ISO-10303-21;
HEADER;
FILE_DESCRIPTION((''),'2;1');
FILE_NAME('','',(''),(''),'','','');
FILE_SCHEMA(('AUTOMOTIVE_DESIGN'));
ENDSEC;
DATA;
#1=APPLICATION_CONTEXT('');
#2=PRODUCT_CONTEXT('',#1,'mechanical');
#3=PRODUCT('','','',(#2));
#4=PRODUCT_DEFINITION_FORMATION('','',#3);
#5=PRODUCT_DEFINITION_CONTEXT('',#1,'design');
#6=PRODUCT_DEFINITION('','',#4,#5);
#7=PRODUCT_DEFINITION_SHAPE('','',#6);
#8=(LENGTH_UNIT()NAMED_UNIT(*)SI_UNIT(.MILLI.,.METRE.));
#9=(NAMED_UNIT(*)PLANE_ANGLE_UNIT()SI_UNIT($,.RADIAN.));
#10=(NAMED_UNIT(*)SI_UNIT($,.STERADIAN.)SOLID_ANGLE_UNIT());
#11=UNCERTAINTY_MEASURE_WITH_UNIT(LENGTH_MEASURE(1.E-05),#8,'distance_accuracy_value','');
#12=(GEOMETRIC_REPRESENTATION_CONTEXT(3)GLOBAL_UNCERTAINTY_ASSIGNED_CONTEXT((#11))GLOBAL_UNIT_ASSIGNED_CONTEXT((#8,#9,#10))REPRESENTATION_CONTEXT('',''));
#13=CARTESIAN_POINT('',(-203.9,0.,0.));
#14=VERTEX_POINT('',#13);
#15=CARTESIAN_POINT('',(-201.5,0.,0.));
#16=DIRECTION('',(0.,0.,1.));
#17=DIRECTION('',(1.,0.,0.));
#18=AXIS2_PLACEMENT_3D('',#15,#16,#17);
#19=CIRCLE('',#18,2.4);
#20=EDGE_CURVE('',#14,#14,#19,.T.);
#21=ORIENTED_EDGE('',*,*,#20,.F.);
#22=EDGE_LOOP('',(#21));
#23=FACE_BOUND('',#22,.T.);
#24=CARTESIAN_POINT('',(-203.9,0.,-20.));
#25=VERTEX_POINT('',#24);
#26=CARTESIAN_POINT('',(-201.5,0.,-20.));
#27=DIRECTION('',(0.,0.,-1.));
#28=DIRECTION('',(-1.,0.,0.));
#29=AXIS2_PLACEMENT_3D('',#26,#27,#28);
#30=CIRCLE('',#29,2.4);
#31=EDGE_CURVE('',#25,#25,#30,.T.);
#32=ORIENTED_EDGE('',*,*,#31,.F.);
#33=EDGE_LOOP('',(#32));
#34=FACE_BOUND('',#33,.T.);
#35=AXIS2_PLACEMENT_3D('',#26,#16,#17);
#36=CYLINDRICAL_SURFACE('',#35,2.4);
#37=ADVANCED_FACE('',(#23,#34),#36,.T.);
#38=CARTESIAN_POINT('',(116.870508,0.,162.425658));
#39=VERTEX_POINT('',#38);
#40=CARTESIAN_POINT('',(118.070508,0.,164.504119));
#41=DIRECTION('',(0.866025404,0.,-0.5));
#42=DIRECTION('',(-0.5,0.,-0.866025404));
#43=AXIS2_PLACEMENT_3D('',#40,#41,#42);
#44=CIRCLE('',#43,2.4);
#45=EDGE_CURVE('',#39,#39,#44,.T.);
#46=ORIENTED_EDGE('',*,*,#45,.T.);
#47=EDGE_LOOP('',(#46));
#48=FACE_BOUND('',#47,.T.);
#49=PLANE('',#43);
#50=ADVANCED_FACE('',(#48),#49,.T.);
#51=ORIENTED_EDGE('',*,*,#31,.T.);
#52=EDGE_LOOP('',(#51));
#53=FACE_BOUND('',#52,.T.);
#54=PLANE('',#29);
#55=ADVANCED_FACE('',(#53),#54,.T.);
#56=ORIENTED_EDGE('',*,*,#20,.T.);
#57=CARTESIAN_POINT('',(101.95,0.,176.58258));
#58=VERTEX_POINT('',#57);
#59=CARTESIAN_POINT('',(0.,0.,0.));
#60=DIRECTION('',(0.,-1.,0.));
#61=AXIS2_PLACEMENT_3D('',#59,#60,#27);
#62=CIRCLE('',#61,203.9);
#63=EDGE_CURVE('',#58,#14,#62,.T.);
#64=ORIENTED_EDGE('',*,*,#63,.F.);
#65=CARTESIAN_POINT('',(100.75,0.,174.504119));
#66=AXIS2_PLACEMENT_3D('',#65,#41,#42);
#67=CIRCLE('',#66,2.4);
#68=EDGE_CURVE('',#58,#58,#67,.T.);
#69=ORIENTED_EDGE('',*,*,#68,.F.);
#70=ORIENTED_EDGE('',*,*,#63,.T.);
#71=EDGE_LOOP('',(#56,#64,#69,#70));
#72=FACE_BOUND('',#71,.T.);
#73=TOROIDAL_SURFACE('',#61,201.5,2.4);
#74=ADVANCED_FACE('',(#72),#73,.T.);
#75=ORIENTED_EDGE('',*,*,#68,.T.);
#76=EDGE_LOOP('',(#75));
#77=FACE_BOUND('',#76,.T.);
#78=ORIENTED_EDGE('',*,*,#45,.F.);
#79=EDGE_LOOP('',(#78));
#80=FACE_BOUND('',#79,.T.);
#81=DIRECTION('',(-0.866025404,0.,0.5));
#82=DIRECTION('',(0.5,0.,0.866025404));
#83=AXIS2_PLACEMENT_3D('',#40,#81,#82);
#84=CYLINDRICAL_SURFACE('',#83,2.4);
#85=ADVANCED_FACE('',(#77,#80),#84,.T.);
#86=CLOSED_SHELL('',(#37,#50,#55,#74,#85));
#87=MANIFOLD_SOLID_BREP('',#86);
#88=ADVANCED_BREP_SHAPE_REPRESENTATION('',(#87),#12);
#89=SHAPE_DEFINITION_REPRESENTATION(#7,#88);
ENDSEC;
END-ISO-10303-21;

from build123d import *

# Parameters (mm, degrees)
SKETCH3_R           = 2.4
REVOLVE1_ANGLE      = 120
SKETCH4_R           = 2.4
BOSS_EXTRUDE1_DEPTH = 20
SKETCH5_R           = 2.4
BOSS_EXTRUDE2_DEPTH = 20


with BuildPart() as part:
    # Sketch3 → Revolve1 (revolve)
    with BuildSketch(Plane.XY):
        with Locations((-201.5, 0)):
            Circle(SKETCH3_R)
    revolve(axis=Axis((0, 0, 0), (0, 1, 0)), revolution_arc=REVOLVE1_ANGLE)

    # Sketch4 → Boss-Extrude1 (add)
    with BuildSketch(Plane(origin=(0, 0, 0), x_dir=(-0.5000000000000043, 0, -0.8660254037844363), z_dir=(0.8660254037844362, 0, -0.5000000000000042))):
        with Locations(Location((-201.5, 0, 0), (0, 0, 180))):
            Circle(SKETCH4_R)
    extrude(amount=BOSS_EXTRUDE1_DEPTH)

    # Sketch5 → Boss-Extrude2 (add)
    with BuildSketch(Plane(origin=(0, 0, 0), x_dir=(-1, 0, 0), z_dir=(0, 0, -1))):
        with Locations((201.5, 0)):
            Circle(SKETCH5_R)
    extrude(amount=BOSS_EXTRUDE2_DEPTH)


solid = part.part
